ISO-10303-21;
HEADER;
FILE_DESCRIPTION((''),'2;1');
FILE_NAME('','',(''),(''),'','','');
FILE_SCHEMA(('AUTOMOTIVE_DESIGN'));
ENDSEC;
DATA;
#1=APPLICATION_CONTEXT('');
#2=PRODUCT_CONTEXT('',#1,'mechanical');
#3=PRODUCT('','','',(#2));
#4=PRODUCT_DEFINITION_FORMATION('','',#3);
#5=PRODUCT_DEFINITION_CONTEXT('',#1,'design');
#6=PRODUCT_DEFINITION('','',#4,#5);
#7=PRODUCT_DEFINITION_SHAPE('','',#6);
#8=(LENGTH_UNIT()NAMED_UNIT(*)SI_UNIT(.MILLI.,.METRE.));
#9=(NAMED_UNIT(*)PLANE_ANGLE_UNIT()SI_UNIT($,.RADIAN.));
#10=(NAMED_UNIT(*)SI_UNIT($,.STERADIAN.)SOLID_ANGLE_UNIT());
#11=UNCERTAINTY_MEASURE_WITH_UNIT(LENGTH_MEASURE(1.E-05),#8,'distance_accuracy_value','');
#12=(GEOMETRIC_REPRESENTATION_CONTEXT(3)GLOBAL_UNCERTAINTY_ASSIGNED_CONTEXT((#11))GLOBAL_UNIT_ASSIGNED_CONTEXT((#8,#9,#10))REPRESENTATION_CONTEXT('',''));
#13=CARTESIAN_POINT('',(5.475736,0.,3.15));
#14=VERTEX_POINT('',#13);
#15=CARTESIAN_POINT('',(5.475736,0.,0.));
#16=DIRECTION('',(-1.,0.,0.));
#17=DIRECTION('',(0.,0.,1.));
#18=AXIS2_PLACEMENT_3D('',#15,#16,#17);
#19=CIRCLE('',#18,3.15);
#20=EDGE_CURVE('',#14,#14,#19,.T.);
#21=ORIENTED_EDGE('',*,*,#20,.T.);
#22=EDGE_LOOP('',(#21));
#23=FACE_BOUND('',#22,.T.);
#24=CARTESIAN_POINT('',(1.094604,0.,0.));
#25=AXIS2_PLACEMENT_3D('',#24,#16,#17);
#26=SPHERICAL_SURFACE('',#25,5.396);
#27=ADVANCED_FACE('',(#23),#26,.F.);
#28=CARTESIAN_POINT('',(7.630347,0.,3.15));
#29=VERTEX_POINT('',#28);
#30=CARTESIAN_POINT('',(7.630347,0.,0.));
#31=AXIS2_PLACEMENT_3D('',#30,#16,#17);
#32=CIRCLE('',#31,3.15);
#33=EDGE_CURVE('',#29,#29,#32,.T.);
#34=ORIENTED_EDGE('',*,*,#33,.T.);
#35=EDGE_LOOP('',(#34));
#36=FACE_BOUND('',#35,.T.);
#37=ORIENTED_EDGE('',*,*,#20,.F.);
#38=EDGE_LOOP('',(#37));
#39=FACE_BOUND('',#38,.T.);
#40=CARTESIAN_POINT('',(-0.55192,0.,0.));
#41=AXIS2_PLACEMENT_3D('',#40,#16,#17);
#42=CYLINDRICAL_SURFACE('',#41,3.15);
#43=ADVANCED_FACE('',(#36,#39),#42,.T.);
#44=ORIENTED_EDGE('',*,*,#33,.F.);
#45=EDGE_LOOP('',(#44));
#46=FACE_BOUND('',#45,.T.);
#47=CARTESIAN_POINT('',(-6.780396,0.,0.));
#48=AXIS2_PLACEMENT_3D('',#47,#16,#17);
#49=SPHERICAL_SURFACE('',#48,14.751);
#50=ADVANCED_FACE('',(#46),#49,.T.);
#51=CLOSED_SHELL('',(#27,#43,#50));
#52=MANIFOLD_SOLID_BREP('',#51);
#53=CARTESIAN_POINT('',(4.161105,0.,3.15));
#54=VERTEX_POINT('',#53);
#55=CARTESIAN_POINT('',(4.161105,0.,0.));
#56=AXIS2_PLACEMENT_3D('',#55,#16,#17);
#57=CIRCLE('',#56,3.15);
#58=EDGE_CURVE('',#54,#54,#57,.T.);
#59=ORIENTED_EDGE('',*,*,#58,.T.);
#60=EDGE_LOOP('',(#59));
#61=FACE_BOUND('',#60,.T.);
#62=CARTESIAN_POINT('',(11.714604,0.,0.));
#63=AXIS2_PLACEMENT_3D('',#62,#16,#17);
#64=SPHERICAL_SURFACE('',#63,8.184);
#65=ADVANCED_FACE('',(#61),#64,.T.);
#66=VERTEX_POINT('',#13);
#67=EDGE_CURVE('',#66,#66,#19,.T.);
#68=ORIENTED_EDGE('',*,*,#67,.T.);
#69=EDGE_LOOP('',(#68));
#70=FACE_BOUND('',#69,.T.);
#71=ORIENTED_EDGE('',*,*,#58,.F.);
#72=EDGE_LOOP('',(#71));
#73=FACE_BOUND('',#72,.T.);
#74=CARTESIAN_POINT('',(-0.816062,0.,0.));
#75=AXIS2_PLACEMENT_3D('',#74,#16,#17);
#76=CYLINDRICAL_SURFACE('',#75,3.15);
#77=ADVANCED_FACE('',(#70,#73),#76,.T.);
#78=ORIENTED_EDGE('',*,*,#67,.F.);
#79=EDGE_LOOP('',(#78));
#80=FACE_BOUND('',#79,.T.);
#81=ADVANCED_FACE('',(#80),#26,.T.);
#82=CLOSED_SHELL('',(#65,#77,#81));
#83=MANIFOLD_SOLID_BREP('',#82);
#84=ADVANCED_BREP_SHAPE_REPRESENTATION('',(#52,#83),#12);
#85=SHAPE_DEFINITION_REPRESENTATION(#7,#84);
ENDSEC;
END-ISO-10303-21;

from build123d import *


with BuildPart() as part:
    # 草图1 one side → 旋转1 (revolve)
    with BuildSketch(Plane(origin=(0, 0, 0), x_dir=(1, 0, 0), z_dir=(0, 1, 0)), mode=Mode.PRIVATE) as revolve_1_sk:
        with BuildLine():
            ThreePointArc((4.161104754, 3.15), (3.689777344, 1.606240235), (3.53060434, 0))
            Line((3.53060434, 0), (6.49060434, 0))
            ThreePointArc((6.49060434, 0), (6.23062436, 1.654724858), (5.475736157, 3.15))
            Line((5.475736157, 3.15), (4.161104754, 3.15))
        make_face()
    revolve(revolve_1_sk.sketch.rotate(Axis((-0.816062176, 0, 0), (1, 0, 0)), 180), axis=Axis((-0.816062176, 0, 0), (1, 0, 0)))  # turned: the seam where the file's is


with BuildPart() as body_2:
    # 草图2 one side → 旋转3 (revolve)
    with BuildSketch(Plane(origin=(0, 0, 0), x_dir=(1, 0, 0), z_dir=(0, 1, 0)), mode=Mode.PRIVATE) as revolve_3_sk:
        with BuildLine():
            Line((7.630346895, 3.15), (5.475736157, 3.15))
            ThreePointArc((5.475736157, 3.15), (6.23062436, 1.654724858), (6.49060434, 0))
            Line((6.49060434, 0), (7.97060434, 0))
            ThreePointArc((7.97060434, 0), (7.885293284, 1.584161855), (7.630346895, 3.15))
        make_face()
    revolve(revolve_3_sk.sketch.rotate(Axis((-0.551919993, 0, 0), (1, 0, 0)), 180), axis=Axis((-0.551919993, 0, 0), (1, 0, 0)))  # turned: the seam where the file's is


solid = Compound([part.part, body_2.part])
